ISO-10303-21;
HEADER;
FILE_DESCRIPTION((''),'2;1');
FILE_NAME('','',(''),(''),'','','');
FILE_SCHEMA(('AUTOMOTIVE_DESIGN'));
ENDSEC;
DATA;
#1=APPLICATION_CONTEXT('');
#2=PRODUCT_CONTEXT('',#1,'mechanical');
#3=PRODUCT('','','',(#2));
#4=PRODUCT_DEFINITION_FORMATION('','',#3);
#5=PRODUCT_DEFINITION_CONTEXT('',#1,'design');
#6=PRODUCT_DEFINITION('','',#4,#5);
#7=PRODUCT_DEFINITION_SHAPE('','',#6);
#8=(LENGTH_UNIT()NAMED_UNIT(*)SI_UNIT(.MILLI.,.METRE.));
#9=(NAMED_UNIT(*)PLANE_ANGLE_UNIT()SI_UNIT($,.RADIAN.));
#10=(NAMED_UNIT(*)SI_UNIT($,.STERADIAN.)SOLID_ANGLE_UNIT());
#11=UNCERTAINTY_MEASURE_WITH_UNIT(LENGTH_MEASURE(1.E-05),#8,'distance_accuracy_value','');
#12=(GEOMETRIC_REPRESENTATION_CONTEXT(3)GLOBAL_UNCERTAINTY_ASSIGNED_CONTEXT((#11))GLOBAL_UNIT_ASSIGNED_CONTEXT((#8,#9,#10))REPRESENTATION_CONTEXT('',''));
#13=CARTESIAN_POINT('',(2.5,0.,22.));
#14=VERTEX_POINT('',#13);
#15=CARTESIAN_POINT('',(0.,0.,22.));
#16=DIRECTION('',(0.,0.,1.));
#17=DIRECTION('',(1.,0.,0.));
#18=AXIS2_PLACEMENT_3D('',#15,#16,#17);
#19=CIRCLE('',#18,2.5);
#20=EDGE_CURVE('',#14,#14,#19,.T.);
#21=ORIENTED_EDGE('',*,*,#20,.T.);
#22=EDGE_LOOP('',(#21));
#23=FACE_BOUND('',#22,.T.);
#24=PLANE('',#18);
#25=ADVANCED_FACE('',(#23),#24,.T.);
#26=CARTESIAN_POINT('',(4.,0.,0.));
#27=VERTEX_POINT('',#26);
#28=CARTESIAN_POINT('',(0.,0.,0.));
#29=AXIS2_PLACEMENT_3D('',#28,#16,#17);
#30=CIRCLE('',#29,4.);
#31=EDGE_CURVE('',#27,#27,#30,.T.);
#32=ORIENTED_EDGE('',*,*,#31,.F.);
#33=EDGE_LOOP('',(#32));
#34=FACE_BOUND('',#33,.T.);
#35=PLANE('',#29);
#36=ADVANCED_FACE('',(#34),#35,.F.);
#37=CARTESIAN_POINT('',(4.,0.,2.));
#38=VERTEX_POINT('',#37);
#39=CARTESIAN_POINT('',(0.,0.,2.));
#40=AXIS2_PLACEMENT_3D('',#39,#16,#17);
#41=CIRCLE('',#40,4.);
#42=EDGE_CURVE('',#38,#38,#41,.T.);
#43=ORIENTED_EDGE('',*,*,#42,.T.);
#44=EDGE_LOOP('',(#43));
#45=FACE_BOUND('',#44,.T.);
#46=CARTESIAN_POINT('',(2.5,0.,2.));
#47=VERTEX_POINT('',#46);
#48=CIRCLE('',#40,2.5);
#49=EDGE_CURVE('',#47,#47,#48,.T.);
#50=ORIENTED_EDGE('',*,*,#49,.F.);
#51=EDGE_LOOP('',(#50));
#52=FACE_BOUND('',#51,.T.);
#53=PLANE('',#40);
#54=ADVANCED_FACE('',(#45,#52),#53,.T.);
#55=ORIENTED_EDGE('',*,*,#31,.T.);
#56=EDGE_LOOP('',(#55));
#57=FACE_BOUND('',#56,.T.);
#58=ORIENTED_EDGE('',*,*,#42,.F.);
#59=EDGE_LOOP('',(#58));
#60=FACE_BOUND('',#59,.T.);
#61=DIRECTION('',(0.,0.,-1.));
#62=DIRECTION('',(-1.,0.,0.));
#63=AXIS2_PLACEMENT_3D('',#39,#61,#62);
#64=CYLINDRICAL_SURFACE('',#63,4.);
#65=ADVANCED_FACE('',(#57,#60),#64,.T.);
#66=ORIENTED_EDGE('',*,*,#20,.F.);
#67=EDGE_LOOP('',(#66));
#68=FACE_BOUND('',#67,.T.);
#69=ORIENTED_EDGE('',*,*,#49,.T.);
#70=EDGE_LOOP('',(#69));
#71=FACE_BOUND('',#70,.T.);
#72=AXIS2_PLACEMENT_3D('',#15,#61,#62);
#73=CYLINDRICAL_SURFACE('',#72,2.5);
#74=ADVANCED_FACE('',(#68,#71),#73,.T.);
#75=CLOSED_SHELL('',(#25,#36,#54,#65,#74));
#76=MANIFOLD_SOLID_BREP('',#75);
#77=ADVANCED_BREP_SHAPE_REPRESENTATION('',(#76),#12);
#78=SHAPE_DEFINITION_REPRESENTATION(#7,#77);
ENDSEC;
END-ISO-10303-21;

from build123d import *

# Parameters (mm, degrees)
SKETCH_1_R      = 4
EXTRUDE_1_DEPTH = 2
SKETCH_2_R      = 2.5
EXTRUDE_2_DEPTH = 20


with BuildPart() as part:
    # 草图1 → 凸台-拉伸1 (new body)
    with BuildSketch(Plane.XY):
        Circle(SKETCH_1_R)
    extrude(amount=EXTRUDE_1_DEPTH)

    # 草图2 → 凸台-拉伸2 (add)
    with BuildSketch(Plane.XY.offset(2)):
        Circle(SKETCH_2_R)
    extrude(amount=EXTRUDE_2_DEPTH)


solid = part.part
